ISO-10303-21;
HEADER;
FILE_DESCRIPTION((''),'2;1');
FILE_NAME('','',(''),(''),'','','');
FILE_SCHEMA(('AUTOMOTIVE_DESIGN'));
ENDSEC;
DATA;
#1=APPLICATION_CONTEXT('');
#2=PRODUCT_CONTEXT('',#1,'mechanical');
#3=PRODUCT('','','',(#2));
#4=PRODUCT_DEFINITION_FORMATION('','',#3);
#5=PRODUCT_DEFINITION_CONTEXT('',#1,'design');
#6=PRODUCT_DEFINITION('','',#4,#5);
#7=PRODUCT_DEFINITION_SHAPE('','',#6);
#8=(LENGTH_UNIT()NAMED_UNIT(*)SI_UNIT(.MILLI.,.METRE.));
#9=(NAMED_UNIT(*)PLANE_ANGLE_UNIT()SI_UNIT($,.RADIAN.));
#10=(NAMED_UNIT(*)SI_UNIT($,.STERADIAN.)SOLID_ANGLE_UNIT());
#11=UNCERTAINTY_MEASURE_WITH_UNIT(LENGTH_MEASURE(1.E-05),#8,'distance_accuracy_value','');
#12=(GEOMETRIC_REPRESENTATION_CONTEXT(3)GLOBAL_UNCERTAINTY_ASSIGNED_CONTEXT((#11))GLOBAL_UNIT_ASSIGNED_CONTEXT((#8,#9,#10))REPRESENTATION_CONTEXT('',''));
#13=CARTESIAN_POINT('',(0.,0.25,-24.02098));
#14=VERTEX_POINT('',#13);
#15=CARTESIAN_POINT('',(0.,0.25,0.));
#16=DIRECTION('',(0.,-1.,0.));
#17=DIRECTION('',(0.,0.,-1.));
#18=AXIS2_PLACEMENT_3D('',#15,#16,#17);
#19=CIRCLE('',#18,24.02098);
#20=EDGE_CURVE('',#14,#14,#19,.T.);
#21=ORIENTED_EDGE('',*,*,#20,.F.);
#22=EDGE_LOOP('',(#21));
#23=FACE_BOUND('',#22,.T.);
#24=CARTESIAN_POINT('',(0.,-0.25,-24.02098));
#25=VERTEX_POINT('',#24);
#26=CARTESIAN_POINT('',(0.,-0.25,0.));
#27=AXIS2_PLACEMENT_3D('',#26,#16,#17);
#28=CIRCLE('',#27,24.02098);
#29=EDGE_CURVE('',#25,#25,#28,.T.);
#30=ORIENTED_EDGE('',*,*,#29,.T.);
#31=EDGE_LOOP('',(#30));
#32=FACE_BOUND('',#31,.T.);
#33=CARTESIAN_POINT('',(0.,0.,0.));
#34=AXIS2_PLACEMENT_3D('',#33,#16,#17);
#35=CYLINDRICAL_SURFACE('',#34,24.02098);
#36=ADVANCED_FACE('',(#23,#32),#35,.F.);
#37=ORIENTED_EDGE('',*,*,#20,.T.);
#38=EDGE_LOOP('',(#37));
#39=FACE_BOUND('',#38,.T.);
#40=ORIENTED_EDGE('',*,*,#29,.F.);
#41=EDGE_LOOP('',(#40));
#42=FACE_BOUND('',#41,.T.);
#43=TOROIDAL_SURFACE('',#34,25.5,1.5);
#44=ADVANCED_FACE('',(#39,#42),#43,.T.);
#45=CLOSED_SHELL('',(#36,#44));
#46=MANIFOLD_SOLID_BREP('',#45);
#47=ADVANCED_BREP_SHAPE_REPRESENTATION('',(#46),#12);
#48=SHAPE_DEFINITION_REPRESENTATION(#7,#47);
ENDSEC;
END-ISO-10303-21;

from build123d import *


with BuildPart() as part:
    # Sketch1 → Revolve1 (revolve)
    with BuildSketch(Plane.XY):
        with BuildLine():
            Line((-24.020980054, -0.25), (-24.020980054, 0.25))
            ThreePointArc((-24.020980054, 0.25), (-27, 0), (-24.020980054, -0.25))
        make_face()
    revolve(axis=Axis((0, 0, 0), (0, 1, 0)))


solid = part.part
